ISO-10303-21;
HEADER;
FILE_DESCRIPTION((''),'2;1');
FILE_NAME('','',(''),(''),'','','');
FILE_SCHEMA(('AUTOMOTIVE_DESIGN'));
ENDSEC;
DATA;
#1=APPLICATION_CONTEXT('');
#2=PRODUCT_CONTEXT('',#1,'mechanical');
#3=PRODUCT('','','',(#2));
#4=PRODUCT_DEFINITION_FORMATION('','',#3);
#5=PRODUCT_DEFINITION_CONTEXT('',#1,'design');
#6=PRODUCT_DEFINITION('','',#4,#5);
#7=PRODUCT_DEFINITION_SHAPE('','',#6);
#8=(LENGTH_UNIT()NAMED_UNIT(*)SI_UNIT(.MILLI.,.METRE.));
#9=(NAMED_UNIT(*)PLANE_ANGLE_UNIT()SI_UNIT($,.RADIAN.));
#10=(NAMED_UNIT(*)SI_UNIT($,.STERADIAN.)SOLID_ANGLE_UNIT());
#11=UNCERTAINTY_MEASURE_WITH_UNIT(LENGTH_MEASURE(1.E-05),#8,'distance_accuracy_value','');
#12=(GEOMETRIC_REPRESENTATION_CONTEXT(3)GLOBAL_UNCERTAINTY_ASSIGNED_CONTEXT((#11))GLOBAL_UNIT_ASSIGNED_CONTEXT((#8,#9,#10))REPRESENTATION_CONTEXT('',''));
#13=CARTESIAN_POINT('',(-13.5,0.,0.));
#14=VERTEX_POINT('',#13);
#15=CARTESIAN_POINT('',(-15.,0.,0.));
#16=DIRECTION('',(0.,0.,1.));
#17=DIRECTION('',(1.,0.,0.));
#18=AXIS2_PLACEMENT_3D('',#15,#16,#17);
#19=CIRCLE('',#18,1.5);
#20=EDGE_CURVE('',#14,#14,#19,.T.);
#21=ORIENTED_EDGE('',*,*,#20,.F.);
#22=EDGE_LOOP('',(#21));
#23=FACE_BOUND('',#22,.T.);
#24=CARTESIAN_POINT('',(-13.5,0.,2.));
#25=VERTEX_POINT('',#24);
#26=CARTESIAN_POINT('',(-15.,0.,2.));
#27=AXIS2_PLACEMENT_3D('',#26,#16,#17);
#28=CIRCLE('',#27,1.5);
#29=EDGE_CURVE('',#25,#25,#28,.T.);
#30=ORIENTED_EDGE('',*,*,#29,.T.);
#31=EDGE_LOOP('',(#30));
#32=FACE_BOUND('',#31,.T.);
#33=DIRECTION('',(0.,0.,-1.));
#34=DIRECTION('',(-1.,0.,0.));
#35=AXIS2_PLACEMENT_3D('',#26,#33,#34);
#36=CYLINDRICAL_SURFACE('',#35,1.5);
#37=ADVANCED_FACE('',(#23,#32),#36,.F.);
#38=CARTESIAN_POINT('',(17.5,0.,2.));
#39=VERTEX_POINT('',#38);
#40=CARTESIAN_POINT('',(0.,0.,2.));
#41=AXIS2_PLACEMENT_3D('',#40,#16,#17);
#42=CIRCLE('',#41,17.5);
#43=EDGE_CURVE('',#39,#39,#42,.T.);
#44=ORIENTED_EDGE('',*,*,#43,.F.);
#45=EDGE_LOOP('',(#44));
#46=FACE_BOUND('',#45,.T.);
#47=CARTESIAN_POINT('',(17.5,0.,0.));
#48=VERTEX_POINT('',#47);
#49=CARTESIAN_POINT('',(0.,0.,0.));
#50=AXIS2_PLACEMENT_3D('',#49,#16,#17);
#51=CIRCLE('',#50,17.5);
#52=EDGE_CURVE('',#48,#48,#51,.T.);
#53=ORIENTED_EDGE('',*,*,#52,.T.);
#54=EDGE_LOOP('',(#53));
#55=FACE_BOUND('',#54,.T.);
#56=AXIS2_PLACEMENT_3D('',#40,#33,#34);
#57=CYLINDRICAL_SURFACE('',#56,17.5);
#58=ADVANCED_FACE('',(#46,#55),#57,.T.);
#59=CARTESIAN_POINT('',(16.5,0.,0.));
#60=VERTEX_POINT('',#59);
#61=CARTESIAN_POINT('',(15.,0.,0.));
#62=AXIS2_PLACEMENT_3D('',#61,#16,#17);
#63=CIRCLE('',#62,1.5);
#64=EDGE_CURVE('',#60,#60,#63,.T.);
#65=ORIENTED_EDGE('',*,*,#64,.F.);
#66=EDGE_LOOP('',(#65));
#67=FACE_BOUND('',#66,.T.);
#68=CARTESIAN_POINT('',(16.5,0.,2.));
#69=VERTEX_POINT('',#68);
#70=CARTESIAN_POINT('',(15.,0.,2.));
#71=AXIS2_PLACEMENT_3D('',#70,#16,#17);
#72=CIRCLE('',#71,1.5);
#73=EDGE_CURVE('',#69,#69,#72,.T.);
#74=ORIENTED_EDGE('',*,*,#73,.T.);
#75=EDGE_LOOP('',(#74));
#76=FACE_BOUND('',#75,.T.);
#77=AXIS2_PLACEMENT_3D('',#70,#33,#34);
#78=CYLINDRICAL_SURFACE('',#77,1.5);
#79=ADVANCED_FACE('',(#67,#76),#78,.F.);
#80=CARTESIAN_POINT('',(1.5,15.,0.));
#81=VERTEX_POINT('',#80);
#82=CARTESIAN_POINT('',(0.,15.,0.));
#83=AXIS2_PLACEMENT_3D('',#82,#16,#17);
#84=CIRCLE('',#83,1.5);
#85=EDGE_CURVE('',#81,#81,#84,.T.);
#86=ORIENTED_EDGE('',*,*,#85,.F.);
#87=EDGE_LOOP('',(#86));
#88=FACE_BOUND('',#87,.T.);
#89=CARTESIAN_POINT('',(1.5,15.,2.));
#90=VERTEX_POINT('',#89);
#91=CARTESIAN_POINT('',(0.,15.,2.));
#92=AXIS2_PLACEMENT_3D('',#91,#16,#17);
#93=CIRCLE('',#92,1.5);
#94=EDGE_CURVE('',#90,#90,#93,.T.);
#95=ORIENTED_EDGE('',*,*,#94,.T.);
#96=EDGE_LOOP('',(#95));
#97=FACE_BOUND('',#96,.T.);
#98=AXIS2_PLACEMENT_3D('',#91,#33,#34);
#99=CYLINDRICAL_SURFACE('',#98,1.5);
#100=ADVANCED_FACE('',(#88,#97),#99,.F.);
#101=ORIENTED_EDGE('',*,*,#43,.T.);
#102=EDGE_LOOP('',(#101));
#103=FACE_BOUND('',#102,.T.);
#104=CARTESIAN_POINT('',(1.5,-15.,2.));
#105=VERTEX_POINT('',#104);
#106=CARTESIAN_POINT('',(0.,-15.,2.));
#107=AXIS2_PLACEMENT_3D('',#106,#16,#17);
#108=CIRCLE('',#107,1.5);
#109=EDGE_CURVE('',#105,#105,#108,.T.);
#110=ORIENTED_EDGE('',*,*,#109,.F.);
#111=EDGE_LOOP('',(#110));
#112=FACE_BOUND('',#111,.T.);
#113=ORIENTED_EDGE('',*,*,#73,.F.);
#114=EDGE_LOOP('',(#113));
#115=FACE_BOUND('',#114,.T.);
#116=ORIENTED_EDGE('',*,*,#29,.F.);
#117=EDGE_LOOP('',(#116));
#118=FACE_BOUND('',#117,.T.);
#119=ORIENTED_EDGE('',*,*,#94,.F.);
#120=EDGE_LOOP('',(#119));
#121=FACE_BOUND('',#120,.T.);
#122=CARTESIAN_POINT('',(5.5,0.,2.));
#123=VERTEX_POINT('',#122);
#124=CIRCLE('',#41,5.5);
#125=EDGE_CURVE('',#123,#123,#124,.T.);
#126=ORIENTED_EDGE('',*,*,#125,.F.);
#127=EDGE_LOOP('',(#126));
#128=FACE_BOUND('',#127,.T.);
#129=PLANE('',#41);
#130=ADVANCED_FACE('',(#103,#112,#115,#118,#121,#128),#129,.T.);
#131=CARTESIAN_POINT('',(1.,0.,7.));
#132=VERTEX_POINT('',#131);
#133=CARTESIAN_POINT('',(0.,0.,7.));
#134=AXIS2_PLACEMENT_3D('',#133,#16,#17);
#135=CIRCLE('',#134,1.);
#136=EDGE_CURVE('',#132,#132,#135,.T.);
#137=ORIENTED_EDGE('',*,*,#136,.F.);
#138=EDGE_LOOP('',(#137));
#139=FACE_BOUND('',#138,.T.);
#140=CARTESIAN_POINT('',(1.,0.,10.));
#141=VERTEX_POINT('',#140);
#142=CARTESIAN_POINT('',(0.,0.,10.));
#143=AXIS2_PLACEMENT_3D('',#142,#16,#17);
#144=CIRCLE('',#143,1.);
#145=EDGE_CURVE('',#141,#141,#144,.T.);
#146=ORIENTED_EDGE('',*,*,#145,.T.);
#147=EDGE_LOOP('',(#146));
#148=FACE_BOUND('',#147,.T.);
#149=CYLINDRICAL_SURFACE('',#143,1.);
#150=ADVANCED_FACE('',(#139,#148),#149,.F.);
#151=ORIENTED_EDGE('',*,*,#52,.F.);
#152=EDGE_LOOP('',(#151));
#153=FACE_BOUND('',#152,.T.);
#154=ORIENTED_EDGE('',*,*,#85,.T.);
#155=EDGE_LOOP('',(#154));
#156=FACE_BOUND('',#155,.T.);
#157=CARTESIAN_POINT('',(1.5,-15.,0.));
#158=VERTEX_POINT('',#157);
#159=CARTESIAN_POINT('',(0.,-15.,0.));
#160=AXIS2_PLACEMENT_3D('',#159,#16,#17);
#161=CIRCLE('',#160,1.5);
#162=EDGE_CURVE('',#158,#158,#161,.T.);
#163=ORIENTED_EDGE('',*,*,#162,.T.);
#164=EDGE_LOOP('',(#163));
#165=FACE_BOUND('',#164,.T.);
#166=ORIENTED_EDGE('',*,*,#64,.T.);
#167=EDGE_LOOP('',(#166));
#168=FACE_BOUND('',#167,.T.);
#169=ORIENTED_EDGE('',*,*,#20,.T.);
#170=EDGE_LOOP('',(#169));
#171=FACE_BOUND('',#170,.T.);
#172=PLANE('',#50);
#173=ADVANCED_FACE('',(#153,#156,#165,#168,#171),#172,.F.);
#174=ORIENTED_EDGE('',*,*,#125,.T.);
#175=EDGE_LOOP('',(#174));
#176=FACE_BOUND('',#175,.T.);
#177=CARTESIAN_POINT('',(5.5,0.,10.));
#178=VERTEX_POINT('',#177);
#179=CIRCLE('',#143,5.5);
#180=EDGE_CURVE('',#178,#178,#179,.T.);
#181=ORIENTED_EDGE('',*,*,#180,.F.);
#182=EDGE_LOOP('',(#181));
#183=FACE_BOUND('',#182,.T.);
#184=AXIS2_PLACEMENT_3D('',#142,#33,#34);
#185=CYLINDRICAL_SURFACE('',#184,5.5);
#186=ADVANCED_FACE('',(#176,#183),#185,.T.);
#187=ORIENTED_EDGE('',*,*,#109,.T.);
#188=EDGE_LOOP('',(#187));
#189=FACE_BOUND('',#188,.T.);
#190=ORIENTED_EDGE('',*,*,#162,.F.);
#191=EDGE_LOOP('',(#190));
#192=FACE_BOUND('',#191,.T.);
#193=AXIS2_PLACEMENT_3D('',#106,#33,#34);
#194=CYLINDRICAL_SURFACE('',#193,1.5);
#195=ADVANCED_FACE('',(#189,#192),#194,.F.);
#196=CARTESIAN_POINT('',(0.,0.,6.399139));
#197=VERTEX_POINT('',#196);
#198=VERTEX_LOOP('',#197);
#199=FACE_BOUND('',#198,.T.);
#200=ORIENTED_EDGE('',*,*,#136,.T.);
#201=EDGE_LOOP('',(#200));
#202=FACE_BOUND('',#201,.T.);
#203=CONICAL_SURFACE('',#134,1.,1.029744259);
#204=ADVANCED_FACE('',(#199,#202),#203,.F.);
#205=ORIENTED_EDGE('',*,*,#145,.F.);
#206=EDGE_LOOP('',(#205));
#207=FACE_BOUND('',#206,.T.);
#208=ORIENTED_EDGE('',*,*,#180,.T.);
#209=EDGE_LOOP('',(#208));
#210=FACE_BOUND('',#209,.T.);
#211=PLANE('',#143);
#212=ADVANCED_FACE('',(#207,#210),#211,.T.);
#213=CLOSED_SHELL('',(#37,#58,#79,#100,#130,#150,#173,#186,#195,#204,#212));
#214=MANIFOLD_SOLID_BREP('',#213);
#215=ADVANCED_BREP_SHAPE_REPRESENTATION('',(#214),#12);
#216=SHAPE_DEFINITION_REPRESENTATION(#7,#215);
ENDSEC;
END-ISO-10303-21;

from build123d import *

# Parameters (mm, degrees)
SKETCH1_R                       = 17.5
SKETCH1_R_2                     = 1.5
SKETCH1_R_3                     = 5.5
BOSS_EXTRUDE1_DEPTH             = 2
SKETCH1_8_R                     = 5.5
BOSS_EXTRUDE3_DEPTH             = 10
TAP_DRILL_FOR_M2X0_4_TAP1_D     = 2
TAP_DRILL_FOR_M2X0_4_TAP1_DEPTH = 3
TAP_DRILL_FOR_M2X0_4_TAP1_TIP   = 0.600860619


with BuildPart() as part:
    # Sketch1 → Boss-Extrude1 (new body)
    with BuildSketch(Plane.XY):
        Circle(SKETCH1_R)
        with Locations((0, -15)):
            Circle(SKETCH1_R_2, mode=Mode.SUBTRACT)
        with Locations((-15, 0)):
            Circle(SKETCH1_R_2, mode=Mode.SUBTRACT)
        Circle(SKETCH1_R_3, mode=Mode.SUBTRACT)
        with Locations((15, 0)):
            Circle(SKETCH1_R_2, mode=Mode.SUBTRACT)
        with Locations((0, 15)):
            Circle(SKETCH1_R_2, mode=Mode.SUBTRACT)
    extrude(amount=BOSS_EXTRUDE1_DEPTH)

    # Sketch1<8> → Boss-Extrude3 (add)
    with BuildSketch(Plane.XY):
        Circle(SKETCH1_8_R)
    extrude(amount=BOSS_EXTRUDE3_DEPTH)

    # Tap Drill for M2x0.4 Tap1
    with Locations(Plane.XY.offset(10)):
        with Locations((0, 0)):
            Hole(TAP_DRILL_FOR_M2X0_4_TAP1_D / 2, depth=TAP_DRILL_FOR_M2X0_4_TAP1_DEPTH)
            with Locations((0, 0, -(TAP_DRILL_FOR_M2X0_4_TAP1_DEPTH + TAP_DRILL_FOR_M2X0_4_TAP1_TIP / 2))):  # 118° drill point
                Cone(0, TAP_DRILL_FOR_M2X0_4_TAP1_D / 2, TAP_DRILL_FOR_M2X0_4_TAP1_TIP, mode=Mode.SUBTRACT)


solid = part.part
